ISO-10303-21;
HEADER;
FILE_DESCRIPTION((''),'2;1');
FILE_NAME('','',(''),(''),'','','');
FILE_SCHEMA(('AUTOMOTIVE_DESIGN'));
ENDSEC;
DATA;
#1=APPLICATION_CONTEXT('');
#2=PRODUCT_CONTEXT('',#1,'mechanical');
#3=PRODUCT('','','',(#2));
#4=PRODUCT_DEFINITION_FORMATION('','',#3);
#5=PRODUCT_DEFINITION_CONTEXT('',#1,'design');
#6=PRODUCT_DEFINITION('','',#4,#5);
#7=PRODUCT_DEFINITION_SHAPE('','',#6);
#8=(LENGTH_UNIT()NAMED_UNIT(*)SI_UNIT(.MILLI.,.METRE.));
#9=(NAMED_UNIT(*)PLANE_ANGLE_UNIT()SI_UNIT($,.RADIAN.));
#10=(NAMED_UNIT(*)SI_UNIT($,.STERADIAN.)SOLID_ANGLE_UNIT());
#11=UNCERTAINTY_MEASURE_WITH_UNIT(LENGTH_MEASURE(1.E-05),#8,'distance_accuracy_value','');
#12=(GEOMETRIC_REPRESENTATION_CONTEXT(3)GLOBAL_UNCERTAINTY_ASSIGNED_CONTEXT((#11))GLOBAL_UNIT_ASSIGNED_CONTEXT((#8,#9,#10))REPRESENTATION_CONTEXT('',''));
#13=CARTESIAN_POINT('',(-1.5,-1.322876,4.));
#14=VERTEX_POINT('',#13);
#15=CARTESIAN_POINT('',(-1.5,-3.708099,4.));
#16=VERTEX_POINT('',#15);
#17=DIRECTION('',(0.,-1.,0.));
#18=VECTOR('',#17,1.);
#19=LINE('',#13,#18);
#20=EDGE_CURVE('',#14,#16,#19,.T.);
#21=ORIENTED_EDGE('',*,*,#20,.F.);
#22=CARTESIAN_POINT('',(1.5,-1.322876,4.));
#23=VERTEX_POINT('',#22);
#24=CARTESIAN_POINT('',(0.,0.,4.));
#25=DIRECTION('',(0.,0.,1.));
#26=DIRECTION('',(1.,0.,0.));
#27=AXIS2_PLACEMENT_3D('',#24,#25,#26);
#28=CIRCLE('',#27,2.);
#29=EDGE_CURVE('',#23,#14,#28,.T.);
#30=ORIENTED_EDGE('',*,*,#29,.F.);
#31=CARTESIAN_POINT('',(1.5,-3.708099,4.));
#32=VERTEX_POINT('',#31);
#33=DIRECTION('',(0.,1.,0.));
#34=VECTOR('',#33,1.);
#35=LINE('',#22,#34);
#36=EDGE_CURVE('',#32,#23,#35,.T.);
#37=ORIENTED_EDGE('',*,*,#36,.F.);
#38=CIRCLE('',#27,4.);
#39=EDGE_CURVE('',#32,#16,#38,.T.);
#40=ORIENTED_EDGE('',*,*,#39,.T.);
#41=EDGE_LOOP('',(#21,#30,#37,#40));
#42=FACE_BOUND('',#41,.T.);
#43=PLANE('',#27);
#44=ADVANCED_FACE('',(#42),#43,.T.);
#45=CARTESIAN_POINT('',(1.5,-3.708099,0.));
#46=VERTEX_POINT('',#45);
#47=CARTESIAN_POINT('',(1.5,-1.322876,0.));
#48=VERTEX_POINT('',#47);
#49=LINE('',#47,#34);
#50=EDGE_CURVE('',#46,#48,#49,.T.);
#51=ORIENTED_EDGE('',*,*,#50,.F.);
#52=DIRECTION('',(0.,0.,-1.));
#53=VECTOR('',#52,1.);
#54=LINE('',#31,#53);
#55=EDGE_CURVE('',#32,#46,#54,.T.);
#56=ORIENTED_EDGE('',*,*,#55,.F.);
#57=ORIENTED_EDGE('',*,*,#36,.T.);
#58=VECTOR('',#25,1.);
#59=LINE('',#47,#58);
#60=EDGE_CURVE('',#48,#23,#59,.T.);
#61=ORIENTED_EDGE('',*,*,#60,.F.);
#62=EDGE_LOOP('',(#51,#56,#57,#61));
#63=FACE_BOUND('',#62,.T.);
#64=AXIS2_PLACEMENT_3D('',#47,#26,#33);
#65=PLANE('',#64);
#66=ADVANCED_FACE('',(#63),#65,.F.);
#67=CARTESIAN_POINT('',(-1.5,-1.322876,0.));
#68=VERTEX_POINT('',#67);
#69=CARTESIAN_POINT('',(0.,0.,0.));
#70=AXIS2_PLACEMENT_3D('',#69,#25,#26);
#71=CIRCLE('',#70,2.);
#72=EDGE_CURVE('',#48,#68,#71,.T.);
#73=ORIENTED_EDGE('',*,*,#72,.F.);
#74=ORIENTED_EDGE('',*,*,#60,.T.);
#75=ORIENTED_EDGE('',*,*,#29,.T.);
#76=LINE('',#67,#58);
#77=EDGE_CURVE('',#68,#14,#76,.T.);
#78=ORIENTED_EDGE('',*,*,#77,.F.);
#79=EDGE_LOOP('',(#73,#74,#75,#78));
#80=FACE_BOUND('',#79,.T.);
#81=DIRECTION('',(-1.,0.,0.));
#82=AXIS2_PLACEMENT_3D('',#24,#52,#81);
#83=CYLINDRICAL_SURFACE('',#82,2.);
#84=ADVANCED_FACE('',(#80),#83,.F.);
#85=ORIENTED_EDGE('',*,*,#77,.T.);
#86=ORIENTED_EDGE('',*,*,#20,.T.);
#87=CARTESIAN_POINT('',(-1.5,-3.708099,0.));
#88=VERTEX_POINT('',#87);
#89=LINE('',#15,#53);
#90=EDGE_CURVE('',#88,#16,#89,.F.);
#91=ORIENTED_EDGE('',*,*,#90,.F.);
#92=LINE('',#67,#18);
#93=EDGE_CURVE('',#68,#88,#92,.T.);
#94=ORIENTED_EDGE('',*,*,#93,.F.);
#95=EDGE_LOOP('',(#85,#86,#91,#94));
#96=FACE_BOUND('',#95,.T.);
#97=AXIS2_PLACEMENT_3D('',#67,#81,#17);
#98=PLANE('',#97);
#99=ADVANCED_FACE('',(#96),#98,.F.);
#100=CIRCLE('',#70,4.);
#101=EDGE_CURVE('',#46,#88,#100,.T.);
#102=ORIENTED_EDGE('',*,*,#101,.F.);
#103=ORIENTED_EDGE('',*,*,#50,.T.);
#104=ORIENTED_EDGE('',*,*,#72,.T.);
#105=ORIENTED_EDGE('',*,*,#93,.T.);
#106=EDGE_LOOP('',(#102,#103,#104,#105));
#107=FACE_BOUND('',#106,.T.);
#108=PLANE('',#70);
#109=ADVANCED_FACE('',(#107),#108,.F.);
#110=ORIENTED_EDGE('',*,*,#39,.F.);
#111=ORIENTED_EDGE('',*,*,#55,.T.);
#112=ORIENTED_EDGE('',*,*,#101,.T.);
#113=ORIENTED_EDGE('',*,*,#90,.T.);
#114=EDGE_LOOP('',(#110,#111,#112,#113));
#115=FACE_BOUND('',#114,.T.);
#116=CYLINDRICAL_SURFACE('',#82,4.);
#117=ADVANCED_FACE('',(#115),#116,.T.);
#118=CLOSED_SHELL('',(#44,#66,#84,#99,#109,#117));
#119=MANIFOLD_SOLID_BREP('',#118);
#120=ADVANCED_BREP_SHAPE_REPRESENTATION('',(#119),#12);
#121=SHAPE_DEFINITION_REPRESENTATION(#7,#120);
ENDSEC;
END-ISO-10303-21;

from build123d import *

# Parameters (mm, degrees)
SKETCH1_R          = 4
SKETCH1_R_2        = 2
EXTRUDE1_DEPTH     = 4
SKETCH2_W          = 3
SKETCH2_H          = 2.677124344
CUT_EXTRUDE1_DEPTH = 4


with BuildPart() as part:
    # Sketch1 → Extrude1 (new body)
    with BuildSketch(Plane.XY):
        Circle(SKETCH1_R)
        Circle(SKETCH1_R_2, mode=Mode.SUBTRACT)
    extrude(amount=EXTRUDE1_DEPTH)

    # Sketch2 → Cut-Extrude1 (cut)
    with BuildSketch(Plane.XY.offset(4)):
        with Locations((0, -2.661437828)):
            Rectangle(SKETCH2_W, SKETCH2_H)
    extrude(amount=-CUT_EXTRUDE1_DEPTH, mode=Mode.SUBTRACT)


solid = part.part
